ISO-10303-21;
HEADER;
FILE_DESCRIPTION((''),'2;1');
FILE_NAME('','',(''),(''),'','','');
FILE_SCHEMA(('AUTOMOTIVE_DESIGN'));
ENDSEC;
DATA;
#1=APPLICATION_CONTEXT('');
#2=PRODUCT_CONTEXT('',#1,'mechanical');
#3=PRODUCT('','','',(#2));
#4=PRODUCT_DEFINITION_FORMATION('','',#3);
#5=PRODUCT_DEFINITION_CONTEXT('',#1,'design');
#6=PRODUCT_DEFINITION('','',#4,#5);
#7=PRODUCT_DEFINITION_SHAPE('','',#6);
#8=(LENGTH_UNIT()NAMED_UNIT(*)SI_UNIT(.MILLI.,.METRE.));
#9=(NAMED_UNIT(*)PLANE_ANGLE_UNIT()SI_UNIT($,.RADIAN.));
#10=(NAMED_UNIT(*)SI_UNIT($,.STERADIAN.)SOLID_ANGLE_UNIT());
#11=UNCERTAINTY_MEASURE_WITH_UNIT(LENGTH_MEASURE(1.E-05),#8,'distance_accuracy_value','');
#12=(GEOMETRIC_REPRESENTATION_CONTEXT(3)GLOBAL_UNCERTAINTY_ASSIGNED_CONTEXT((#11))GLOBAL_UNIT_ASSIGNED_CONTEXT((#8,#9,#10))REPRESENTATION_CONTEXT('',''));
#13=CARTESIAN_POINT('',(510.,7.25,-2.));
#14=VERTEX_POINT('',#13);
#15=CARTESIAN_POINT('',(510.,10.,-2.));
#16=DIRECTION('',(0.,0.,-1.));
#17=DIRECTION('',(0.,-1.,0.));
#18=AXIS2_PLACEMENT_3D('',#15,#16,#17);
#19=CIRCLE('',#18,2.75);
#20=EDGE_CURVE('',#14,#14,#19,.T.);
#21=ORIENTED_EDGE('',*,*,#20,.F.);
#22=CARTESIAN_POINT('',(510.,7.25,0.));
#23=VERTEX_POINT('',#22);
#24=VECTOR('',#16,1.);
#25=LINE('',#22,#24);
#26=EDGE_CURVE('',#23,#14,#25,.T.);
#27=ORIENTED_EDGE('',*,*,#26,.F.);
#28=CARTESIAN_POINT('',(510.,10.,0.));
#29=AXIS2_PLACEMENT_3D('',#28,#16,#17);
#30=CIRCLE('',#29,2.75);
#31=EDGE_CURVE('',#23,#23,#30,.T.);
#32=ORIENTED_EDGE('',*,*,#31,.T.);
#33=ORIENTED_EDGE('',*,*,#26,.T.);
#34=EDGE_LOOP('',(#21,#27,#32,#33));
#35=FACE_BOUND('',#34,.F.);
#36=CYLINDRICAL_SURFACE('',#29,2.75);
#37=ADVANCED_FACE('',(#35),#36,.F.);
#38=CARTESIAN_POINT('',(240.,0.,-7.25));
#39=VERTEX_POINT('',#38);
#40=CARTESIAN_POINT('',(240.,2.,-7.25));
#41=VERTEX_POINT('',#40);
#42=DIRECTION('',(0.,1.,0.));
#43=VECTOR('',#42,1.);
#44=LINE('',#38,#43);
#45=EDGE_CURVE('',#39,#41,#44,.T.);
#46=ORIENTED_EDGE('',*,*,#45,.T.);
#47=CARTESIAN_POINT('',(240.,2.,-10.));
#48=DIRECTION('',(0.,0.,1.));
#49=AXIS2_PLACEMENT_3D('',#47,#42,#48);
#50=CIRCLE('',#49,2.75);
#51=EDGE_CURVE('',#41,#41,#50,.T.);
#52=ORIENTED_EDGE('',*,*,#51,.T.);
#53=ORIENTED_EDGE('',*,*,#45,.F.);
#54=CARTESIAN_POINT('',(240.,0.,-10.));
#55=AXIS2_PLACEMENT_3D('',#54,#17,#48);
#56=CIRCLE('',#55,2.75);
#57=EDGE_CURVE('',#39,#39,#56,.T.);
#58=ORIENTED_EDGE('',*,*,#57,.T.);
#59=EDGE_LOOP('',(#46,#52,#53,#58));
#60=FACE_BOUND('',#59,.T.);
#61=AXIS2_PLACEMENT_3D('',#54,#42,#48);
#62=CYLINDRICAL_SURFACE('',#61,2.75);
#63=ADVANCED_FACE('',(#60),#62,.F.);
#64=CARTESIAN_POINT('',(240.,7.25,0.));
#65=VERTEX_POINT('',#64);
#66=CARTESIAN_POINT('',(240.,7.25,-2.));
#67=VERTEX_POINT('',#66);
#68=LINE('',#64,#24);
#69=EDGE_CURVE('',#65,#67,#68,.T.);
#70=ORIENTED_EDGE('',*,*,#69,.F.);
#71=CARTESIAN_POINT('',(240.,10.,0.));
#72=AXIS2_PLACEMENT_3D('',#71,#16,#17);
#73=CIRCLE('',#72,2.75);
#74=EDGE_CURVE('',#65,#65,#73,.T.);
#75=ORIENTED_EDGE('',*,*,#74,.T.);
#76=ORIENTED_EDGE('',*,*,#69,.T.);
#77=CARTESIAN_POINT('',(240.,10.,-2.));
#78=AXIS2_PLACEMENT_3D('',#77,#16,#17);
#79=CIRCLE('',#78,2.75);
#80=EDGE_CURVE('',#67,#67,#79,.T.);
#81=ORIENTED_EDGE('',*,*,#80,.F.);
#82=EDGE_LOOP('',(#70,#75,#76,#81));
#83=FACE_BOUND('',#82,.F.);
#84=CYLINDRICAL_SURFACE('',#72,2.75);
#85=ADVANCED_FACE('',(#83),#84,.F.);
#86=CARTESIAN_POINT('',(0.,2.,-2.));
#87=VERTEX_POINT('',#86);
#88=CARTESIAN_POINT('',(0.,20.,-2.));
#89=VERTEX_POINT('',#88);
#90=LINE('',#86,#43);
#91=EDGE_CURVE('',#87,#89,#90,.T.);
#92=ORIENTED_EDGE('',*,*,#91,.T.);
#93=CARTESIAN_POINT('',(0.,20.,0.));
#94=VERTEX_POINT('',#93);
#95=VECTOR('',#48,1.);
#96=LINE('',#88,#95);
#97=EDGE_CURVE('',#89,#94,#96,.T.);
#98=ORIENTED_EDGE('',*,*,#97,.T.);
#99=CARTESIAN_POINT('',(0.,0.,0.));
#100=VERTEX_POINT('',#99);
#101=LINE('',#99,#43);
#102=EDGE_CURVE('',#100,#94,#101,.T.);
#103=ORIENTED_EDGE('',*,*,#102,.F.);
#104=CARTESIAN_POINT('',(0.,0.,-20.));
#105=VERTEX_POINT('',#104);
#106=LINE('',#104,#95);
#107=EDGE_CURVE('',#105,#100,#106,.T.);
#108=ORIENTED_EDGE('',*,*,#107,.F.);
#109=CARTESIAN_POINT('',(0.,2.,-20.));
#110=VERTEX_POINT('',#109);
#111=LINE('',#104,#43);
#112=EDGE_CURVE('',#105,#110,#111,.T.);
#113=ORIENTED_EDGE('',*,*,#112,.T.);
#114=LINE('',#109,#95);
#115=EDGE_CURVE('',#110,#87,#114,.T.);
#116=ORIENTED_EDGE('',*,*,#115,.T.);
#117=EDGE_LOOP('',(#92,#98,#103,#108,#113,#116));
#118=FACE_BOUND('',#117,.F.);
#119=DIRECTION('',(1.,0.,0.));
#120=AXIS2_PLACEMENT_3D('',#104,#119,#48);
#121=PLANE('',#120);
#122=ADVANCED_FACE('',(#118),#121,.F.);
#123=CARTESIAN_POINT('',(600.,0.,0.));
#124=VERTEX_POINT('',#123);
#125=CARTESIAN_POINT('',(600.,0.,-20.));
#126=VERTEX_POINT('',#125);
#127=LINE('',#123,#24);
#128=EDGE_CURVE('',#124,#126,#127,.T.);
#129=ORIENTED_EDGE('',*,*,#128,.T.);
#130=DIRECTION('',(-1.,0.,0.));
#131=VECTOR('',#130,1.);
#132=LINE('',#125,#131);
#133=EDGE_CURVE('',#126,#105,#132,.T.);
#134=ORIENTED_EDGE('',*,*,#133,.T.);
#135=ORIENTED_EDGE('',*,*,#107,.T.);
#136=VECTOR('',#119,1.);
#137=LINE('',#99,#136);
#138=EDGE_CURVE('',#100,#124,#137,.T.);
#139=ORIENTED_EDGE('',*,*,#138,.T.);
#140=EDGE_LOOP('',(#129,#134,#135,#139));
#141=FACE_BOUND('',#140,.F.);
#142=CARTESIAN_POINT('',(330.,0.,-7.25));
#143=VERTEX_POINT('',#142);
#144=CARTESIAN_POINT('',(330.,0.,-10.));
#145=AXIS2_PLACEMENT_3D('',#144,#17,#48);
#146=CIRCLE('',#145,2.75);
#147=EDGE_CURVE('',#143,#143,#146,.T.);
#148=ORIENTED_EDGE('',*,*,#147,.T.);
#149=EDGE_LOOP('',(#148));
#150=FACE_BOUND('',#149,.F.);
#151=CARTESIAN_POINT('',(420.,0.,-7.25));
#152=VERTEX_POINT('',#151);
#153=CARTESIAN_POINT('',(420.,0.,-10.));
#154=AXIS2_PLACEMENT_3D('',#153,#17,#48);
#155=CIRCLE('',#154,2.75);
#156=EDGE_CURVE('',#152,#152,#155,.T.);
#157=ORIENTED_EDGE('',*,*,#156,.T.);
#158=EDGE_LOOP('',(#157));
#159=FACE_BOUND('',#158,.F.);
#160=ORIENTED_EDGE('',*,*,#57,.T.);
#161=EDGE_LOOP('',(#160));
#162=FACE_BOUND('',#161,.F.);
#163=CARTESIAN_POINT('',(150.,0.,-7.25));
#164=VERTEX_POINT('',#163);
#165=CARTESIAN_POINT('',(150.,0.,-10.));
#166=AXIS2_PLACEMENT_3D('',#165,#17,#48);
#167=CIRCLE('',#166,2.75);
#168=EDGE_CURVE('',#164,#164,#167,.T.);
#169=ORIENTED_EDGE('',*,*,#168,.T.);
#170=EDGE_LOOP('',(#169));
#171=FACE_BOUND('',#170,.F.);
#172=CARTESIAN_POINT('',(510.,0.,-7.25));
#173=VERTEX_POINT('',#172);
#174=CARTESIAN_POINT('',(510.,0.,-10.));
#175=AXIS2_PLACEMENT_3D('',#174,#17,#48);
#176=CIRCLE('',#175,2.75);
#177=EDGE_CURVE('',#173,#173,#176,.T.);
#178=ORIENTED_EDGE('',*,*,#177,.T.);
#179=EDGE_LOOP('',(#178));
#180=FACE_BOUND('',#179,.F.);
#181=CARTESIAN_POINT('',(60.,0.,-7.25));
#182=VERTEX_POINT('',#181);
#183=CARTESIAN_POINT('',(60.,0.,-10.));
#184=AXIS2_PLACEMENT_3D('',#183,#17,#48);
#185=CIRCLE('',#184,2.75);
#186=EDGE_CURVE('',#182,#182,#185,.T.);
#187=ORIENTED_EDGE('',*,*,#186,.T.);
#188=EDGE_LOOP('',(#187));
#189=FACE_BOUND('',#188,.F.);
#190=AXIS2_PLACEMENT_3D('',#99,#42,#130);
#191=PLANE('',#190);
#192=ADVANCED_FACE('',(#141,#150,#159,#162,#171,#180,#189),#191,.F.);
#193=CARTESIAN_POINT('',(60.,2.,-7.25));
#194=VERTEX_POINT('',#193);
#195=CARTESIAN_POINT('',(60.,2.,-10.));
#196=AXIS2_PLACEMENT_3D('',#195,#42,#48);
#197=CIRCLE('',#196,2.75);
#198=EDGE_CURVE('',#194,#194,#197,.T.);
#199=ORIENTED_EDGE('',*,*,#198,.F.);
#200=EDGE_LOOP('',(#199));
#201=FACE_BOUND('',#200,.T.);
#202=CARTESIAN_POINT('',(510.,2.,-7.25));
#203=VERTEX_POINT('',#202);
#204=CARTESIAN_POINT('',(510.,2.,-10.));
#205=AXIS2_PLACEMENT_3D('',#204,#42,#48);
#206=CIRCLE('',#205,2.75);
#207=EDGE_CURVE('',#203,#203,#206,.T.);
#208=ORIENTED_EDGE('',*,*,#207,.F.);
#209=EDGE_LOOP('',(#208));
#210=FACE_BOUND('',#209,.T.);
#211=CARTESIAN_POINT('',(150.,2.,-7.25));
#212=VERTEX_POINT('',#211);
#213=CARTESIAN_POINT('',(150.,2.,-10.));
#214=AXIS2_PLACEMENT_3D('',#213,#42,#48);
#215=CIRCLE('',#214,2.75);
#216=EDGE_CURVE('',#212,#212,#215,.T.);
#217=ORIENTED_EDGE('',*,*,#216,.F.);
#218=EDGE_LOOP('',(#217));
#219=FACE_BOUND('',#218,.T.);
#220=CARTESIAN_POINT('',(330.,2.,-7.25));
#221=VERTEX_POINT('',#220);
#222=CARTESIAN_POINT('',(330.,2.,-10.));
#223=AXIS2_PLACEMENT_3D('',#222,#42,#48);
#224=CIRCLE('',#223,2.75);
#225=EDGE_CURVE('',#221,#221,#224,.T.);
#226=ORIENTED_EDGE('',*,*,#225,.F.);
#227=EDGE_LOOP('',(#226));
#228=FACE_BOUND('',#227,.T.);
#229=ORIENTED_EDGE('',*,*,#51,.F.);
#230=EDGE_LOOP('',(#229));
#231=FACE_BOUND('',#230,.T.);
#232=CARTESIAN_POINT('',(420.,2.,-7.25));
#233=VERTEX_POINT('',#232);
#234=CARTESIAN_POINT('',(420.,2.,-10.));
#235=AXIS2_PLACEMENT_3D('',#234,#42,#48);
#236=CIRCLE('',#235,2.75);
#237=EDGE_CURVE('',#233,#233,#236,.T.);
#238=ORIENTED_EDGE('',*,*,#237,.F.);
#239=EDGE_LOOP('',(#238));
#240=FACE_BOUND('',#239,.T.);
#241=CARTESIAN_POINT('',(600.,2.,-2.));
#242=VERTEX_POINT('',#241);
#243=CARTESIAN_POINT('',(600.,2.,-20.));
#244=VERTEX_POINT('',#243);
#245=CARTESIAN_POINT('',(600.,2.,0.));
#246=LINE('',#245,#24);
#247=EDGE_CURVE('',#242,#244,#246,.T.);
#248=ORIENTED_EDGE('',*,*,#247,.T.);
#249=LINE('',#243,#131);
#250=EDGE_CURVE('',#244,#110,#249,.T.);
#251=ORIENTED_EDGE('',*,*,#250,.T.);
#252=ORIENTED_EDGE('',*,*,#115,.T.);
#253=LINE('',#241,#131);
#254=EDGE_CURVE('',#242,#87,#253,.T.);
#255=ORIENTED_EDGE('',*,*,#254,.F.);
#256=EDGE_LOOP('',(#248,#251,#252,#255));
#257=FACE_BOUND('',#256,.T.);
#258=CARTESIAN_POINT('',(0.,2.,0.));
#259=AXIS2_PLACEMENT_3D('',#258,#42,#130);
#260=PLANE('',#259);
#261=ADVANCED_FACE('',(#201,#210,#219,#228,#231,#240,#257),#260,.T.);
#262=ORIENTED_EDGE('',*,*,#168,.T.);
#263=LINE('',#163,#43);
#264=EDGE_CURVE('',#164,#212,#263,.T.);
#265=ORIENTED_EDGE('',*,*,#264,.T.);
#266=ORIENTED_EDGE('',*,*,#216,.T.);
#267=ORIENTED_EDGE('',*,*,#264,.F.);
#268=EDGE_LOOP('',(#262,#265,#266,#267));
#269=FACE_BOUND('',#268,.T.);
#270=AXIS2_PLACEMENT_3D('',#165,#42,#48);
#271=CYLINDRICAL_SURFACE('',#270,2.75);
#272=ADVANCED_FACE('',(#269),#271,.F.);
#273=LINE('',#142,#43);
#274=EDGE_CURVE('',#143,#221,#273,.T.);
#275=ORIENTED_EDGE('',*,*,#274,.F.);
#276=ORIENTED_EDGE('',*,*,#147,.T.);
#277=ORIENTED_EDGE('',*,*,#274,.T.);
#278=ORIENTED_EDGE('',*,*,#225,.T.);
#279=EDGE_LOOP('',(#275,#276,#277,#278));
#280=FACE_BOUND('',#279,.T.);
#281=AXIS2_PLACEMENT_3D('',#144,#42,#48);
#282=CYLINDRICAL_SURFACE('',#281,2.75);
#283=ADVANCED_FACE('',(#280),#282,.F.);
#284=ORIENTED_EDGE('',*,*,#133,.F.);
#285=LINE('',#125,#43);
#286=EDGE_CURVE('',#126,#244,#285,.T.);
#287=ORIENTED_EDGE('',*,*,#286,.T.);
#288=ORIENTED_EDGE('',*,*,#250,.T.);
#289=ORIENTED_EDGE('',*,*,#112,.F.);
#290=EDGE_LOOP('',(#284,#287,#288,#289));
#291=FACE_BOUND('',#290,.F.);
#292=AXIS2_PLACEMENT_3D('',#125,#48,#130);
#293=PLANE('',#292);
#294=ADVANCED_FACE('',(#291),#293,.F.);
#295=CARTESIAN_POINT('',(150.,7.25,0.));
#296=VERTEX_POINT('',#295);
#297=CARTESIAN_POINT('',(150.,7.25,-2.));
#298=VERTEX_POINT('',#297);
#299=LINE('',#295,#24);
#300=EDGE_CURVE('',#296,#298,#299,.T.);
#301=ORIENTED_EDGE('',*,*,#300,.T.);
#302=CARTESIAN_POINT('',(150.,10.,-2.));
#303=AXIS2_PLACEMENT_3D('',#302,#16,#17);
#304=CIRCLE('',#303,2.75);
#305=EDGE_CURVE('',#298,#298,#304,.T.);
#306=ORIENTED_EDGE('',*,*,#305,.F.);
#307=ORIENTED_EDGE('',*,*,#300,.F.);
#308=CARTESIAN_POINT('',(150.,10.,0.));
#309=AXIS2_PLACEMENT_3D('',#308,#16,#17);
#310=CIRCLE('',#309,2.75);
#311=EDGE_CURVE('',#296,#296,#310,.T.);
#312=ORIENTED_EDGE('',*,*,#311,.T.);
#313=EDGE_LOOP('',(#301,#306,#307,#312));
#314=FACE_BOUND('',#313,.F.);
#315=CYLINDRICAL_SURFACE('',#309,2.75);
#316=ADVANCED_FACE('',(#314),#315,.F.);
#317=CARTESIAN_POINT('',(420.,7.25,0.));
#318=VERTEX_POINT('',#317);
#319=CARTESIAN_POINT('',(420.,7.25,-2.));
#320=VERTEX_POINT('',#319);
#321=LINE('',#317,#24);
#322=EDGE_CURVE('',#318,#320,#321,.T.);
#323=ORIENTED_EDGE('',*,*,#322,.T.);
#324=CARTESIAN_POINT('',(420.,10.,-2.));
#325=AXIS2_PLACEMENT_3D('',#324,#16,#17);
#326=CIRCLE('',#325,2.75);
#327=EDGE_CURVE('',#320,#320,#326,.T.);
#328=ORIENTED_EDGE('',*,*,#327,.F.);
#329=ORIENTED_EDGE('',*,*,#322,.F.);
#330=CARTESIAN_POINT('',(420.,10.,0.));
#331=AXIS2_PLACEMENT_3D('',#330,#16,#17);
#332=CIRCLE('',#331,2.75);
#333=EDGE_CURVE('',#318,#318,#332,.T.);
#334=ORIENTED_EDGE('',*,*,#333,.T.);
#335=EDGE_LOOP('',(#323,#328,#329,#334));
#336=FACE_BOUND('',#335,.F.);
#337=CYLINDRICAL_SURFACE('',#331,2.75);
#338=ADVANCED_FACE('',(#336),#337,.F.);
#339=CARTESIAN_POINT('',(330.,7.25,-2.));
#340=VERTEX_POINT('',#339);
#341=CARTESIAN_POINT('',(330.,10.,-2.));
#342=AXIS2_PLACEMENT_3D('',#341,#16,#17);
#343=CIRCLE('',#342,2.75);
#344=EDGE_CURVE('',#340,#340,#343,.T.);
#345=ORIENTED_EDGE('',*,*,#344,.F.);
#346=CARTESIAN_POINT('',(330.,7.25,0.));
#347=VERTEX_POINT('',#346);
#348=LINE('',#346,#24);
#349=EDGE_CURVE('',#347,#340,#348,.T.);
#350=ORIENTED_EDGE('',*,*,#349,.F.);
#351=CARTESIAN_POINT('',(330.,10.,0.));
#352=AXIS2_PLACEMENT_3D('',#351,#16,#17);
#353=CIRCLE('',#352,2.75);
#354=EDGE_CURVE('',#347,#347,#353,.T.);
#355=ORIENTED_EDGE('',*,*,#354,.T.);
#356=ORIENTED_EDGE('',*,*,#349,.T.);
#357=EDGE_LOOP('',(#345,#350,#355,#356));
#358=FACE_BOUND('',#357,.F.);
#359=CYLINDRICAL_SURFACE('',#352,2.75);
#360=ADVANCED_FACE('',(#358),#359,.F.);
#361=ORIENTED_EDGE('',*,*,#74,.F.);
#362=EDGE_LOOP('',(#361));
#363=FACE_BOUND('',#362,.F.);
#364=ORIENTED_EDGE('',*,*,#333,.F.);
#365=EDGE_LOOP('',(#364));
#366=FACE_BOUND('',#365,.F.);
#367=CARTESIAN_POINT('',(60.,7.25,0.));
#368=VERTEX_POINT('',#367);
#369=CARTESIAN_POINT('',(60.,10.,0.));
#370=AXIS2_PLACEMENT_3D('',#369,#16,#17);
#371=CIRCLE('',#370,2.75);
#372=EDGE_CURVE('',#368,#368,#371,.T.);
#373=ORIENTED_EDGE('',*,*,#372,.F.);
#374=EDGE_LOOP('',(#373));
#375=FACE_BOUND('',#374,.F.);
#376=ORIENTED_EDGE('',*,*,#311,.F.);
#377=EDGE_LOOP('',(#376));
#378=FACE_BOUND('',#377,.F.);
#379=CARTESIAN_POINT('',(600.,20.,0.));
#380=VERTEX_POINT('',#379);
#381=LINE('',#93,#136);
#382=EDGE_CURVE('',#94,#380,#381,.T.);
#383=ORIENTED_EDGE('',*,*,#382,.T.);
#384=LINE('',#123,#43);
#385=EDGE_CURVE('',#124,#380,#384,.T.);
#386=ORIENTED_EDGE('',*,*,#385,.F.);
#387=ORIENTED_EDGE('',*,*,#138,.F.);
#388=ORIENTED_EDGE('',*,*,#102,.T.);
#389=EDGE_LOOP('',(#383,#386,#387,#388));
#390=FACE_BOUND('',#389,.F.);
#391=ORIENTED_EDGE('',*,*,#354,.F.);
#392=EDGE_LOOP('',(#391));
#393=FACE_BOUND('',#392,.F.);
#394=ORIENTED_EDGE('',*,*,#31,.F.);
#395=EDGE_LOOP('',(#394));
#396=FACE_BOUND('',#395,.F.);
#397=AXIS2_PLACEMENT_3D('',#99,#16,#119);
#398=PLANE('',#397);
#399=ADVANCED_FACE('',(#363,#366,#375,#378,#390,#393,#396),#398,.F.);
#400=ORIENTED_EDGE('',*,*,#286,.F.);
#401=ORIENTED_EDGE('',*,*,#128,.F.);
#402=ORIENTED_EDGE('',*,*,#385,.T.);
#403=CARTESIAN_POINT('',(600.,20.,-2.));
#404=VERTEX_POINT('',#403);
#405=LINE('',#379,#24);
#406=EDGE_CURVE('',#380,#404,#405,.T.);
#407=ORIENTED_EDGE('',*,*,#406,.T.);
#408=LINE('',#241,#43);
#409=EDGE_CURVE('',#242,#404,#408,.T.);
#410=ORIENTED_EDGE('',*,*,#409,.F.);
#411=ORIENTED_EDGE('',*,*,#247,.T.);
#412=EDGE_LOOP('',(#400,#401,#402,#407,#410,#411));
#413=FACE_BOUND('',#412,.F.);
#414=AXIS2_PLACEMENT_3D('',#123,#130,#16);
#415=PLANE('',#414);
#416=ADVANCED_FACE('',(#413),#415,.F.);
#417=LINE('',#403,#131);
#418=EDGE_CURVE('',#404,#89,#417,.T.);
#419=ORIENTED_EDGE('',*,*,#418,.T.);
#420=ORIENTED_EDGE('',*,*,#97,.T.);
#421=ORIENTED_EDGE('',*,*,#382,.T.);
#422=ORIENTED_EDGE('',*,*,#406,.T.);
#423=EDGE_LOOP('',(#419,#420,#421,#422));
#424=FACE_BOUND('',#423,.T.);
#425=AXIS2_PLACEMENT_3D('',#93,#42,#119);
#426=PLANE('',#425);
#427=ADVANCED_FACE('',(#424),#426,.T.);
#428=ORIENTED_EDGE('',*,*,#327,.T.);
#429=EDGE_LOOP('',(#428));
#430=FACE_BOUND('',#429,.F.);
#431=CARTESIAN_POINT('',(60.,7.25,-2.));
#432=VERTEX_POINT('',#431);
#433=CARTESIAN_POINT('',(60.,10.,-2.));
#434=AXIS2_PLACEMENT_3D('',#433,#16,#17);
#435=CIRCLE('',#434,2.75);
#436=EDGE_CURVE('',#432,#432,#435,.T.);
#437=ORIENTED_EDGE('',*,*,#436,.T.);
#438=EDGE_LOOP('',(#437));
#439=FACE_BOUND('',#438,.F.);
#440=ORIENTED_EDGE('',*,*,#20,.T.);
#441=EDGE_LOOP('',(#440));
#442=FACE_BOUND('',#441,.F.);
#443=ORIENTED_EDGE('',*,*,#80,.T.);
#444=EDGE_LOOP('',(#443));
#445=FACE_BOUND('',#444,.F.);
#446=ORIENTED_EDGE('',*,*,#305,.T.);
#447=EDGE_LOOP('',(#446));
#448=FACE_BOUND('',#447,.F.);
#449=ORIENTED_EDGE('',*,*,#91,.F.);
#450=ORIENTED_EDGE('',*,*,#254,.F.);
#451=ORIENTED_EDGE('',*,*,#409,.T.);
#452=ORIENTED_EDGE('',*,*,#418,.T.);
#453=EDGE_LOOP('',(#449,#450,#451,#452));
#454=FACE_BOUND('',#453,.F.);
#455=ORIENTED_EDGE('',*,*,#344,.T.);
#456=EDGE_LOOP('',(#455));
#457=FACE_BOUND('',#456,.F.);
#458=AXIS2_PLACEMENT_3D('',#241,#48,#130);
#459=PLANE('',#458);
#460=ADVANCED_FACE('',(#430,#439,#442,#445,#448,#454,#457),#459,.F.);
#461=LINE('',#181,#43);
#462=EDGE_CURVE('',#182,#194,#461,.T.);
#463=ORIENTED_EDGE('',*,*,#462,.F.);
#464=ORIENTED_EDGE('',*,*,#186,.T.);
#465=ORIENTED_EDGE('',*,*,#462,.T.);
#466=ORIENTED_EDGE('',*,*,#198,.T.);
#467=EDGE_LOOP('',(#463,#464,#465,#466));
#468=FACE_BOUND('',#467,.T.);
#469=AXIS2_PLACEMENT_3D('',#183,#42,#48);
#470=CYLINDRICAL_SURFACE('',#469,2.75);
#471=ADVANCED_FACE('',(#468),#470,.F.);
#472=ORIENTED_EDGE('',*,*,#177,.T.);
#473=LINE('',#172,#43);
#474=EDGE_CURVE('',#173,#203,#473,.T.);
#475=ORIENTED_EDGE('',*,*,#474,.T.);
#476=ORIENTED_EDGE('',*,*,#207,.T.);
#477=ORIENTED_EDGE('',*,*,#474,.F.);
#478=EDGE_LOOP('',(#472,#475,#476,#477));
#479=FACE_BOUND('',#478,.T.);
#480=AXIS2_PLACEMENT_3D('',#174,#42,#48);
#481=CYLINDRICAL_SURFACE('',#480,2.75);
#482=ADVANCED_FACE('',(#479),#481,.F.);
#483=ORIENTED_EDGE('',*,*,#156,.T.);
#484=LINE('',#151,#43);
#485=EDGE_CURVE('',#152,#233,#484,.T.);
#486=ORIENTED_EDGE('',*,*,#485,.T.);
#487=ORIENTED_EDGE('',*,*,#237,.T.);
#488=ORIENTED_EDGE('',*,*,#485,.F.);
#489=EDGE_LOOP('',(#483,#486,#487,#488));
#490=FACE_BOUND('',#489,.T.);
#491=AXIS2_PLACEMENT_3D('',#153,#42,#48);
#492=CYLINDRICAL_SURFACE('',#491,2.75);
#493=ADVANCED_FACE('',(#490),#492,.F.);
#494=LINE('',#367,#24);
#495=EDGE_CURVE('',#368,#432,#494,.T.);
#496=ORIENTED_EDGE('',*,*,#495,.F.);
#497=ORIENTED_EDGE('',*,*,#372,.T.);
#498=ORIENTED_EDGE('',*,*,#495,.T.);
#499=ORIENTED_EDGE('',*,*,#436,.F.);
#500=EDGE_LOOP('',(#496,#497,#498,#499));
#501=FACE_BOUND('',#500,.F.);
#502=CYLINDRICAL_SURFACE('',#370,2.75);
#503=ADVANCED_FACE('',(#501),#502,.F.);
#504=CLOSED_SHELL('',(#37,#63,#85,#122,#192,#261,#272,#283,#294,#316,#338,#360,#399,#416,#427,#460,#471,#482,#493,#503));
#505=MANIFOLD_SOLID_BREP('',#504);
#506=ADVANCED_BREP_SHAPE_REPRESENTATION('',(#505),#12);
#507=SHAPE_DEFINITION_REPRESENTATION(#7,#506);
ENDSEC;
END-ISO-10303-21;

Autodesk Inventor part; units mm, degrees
ref_plane "YZ Plane" through (0, 0, 0) normal (1, 0, 0) x (0, 1, 0)
ref_plane "XZ Plane" through (0, 0, 0) normal (0, 1, 0) x (-1, 0, 0)
ref_plane "XY Plane" through (0, 0, 0) normal (0, 0, 1) x (1, 0, 0)
sketch "Sketch1" plane through (0, 0, 0) normal (0, 1, 0) x (-1, 0, 0)
  line L0 (0, 0) -> (-600, 0)
  line L1 (-600, 0) -> (-600, -20)
  line L2 (-600, -20) -> (0, -20)
  line L3 (0, -20) -> (0, 0)
  dimension "d0" = 600
  dimension "d1" = 20
extrude "Extrusion1" add sketch "Sketch1" along normal blind 2
sketch "Sketch2" plane through (0, 2, 0) normal (0, 1, 0) x (1, 0, 0)
  line L0 (0, 0) -> (600, 0)
  line L1 (600, 0) -> (600, 2)
  line L2 (600, 2) -> (0, 2)
  line L3 (0, 2) -> (0, 0)
  dimension "d4" = 600
  dimension "d5" = 2
extrude "Extrusion2" add sketch "Sketch2" along normal blind 18
hole "Hole1" at (60, 10, 0) direction (0, 0, -1) diameter 5.5 end through all
pattern_linear "Rectangular Pattern1" count 6 spacing 90 along (1, 0, 0) of "Hole1"
ref_plane "Work Plane1" through (450, 2, -2) normal (0, 0.7071, 0.7071) x (1, 0, 0)
mirror "Mirror1" about plane through (450, 2, -2) normal (0, 0.7071, 0.7071) of "Hole1", "Rectangular Pattern1"
properties part number "Lbarx2" material "Aluminum 6061"
